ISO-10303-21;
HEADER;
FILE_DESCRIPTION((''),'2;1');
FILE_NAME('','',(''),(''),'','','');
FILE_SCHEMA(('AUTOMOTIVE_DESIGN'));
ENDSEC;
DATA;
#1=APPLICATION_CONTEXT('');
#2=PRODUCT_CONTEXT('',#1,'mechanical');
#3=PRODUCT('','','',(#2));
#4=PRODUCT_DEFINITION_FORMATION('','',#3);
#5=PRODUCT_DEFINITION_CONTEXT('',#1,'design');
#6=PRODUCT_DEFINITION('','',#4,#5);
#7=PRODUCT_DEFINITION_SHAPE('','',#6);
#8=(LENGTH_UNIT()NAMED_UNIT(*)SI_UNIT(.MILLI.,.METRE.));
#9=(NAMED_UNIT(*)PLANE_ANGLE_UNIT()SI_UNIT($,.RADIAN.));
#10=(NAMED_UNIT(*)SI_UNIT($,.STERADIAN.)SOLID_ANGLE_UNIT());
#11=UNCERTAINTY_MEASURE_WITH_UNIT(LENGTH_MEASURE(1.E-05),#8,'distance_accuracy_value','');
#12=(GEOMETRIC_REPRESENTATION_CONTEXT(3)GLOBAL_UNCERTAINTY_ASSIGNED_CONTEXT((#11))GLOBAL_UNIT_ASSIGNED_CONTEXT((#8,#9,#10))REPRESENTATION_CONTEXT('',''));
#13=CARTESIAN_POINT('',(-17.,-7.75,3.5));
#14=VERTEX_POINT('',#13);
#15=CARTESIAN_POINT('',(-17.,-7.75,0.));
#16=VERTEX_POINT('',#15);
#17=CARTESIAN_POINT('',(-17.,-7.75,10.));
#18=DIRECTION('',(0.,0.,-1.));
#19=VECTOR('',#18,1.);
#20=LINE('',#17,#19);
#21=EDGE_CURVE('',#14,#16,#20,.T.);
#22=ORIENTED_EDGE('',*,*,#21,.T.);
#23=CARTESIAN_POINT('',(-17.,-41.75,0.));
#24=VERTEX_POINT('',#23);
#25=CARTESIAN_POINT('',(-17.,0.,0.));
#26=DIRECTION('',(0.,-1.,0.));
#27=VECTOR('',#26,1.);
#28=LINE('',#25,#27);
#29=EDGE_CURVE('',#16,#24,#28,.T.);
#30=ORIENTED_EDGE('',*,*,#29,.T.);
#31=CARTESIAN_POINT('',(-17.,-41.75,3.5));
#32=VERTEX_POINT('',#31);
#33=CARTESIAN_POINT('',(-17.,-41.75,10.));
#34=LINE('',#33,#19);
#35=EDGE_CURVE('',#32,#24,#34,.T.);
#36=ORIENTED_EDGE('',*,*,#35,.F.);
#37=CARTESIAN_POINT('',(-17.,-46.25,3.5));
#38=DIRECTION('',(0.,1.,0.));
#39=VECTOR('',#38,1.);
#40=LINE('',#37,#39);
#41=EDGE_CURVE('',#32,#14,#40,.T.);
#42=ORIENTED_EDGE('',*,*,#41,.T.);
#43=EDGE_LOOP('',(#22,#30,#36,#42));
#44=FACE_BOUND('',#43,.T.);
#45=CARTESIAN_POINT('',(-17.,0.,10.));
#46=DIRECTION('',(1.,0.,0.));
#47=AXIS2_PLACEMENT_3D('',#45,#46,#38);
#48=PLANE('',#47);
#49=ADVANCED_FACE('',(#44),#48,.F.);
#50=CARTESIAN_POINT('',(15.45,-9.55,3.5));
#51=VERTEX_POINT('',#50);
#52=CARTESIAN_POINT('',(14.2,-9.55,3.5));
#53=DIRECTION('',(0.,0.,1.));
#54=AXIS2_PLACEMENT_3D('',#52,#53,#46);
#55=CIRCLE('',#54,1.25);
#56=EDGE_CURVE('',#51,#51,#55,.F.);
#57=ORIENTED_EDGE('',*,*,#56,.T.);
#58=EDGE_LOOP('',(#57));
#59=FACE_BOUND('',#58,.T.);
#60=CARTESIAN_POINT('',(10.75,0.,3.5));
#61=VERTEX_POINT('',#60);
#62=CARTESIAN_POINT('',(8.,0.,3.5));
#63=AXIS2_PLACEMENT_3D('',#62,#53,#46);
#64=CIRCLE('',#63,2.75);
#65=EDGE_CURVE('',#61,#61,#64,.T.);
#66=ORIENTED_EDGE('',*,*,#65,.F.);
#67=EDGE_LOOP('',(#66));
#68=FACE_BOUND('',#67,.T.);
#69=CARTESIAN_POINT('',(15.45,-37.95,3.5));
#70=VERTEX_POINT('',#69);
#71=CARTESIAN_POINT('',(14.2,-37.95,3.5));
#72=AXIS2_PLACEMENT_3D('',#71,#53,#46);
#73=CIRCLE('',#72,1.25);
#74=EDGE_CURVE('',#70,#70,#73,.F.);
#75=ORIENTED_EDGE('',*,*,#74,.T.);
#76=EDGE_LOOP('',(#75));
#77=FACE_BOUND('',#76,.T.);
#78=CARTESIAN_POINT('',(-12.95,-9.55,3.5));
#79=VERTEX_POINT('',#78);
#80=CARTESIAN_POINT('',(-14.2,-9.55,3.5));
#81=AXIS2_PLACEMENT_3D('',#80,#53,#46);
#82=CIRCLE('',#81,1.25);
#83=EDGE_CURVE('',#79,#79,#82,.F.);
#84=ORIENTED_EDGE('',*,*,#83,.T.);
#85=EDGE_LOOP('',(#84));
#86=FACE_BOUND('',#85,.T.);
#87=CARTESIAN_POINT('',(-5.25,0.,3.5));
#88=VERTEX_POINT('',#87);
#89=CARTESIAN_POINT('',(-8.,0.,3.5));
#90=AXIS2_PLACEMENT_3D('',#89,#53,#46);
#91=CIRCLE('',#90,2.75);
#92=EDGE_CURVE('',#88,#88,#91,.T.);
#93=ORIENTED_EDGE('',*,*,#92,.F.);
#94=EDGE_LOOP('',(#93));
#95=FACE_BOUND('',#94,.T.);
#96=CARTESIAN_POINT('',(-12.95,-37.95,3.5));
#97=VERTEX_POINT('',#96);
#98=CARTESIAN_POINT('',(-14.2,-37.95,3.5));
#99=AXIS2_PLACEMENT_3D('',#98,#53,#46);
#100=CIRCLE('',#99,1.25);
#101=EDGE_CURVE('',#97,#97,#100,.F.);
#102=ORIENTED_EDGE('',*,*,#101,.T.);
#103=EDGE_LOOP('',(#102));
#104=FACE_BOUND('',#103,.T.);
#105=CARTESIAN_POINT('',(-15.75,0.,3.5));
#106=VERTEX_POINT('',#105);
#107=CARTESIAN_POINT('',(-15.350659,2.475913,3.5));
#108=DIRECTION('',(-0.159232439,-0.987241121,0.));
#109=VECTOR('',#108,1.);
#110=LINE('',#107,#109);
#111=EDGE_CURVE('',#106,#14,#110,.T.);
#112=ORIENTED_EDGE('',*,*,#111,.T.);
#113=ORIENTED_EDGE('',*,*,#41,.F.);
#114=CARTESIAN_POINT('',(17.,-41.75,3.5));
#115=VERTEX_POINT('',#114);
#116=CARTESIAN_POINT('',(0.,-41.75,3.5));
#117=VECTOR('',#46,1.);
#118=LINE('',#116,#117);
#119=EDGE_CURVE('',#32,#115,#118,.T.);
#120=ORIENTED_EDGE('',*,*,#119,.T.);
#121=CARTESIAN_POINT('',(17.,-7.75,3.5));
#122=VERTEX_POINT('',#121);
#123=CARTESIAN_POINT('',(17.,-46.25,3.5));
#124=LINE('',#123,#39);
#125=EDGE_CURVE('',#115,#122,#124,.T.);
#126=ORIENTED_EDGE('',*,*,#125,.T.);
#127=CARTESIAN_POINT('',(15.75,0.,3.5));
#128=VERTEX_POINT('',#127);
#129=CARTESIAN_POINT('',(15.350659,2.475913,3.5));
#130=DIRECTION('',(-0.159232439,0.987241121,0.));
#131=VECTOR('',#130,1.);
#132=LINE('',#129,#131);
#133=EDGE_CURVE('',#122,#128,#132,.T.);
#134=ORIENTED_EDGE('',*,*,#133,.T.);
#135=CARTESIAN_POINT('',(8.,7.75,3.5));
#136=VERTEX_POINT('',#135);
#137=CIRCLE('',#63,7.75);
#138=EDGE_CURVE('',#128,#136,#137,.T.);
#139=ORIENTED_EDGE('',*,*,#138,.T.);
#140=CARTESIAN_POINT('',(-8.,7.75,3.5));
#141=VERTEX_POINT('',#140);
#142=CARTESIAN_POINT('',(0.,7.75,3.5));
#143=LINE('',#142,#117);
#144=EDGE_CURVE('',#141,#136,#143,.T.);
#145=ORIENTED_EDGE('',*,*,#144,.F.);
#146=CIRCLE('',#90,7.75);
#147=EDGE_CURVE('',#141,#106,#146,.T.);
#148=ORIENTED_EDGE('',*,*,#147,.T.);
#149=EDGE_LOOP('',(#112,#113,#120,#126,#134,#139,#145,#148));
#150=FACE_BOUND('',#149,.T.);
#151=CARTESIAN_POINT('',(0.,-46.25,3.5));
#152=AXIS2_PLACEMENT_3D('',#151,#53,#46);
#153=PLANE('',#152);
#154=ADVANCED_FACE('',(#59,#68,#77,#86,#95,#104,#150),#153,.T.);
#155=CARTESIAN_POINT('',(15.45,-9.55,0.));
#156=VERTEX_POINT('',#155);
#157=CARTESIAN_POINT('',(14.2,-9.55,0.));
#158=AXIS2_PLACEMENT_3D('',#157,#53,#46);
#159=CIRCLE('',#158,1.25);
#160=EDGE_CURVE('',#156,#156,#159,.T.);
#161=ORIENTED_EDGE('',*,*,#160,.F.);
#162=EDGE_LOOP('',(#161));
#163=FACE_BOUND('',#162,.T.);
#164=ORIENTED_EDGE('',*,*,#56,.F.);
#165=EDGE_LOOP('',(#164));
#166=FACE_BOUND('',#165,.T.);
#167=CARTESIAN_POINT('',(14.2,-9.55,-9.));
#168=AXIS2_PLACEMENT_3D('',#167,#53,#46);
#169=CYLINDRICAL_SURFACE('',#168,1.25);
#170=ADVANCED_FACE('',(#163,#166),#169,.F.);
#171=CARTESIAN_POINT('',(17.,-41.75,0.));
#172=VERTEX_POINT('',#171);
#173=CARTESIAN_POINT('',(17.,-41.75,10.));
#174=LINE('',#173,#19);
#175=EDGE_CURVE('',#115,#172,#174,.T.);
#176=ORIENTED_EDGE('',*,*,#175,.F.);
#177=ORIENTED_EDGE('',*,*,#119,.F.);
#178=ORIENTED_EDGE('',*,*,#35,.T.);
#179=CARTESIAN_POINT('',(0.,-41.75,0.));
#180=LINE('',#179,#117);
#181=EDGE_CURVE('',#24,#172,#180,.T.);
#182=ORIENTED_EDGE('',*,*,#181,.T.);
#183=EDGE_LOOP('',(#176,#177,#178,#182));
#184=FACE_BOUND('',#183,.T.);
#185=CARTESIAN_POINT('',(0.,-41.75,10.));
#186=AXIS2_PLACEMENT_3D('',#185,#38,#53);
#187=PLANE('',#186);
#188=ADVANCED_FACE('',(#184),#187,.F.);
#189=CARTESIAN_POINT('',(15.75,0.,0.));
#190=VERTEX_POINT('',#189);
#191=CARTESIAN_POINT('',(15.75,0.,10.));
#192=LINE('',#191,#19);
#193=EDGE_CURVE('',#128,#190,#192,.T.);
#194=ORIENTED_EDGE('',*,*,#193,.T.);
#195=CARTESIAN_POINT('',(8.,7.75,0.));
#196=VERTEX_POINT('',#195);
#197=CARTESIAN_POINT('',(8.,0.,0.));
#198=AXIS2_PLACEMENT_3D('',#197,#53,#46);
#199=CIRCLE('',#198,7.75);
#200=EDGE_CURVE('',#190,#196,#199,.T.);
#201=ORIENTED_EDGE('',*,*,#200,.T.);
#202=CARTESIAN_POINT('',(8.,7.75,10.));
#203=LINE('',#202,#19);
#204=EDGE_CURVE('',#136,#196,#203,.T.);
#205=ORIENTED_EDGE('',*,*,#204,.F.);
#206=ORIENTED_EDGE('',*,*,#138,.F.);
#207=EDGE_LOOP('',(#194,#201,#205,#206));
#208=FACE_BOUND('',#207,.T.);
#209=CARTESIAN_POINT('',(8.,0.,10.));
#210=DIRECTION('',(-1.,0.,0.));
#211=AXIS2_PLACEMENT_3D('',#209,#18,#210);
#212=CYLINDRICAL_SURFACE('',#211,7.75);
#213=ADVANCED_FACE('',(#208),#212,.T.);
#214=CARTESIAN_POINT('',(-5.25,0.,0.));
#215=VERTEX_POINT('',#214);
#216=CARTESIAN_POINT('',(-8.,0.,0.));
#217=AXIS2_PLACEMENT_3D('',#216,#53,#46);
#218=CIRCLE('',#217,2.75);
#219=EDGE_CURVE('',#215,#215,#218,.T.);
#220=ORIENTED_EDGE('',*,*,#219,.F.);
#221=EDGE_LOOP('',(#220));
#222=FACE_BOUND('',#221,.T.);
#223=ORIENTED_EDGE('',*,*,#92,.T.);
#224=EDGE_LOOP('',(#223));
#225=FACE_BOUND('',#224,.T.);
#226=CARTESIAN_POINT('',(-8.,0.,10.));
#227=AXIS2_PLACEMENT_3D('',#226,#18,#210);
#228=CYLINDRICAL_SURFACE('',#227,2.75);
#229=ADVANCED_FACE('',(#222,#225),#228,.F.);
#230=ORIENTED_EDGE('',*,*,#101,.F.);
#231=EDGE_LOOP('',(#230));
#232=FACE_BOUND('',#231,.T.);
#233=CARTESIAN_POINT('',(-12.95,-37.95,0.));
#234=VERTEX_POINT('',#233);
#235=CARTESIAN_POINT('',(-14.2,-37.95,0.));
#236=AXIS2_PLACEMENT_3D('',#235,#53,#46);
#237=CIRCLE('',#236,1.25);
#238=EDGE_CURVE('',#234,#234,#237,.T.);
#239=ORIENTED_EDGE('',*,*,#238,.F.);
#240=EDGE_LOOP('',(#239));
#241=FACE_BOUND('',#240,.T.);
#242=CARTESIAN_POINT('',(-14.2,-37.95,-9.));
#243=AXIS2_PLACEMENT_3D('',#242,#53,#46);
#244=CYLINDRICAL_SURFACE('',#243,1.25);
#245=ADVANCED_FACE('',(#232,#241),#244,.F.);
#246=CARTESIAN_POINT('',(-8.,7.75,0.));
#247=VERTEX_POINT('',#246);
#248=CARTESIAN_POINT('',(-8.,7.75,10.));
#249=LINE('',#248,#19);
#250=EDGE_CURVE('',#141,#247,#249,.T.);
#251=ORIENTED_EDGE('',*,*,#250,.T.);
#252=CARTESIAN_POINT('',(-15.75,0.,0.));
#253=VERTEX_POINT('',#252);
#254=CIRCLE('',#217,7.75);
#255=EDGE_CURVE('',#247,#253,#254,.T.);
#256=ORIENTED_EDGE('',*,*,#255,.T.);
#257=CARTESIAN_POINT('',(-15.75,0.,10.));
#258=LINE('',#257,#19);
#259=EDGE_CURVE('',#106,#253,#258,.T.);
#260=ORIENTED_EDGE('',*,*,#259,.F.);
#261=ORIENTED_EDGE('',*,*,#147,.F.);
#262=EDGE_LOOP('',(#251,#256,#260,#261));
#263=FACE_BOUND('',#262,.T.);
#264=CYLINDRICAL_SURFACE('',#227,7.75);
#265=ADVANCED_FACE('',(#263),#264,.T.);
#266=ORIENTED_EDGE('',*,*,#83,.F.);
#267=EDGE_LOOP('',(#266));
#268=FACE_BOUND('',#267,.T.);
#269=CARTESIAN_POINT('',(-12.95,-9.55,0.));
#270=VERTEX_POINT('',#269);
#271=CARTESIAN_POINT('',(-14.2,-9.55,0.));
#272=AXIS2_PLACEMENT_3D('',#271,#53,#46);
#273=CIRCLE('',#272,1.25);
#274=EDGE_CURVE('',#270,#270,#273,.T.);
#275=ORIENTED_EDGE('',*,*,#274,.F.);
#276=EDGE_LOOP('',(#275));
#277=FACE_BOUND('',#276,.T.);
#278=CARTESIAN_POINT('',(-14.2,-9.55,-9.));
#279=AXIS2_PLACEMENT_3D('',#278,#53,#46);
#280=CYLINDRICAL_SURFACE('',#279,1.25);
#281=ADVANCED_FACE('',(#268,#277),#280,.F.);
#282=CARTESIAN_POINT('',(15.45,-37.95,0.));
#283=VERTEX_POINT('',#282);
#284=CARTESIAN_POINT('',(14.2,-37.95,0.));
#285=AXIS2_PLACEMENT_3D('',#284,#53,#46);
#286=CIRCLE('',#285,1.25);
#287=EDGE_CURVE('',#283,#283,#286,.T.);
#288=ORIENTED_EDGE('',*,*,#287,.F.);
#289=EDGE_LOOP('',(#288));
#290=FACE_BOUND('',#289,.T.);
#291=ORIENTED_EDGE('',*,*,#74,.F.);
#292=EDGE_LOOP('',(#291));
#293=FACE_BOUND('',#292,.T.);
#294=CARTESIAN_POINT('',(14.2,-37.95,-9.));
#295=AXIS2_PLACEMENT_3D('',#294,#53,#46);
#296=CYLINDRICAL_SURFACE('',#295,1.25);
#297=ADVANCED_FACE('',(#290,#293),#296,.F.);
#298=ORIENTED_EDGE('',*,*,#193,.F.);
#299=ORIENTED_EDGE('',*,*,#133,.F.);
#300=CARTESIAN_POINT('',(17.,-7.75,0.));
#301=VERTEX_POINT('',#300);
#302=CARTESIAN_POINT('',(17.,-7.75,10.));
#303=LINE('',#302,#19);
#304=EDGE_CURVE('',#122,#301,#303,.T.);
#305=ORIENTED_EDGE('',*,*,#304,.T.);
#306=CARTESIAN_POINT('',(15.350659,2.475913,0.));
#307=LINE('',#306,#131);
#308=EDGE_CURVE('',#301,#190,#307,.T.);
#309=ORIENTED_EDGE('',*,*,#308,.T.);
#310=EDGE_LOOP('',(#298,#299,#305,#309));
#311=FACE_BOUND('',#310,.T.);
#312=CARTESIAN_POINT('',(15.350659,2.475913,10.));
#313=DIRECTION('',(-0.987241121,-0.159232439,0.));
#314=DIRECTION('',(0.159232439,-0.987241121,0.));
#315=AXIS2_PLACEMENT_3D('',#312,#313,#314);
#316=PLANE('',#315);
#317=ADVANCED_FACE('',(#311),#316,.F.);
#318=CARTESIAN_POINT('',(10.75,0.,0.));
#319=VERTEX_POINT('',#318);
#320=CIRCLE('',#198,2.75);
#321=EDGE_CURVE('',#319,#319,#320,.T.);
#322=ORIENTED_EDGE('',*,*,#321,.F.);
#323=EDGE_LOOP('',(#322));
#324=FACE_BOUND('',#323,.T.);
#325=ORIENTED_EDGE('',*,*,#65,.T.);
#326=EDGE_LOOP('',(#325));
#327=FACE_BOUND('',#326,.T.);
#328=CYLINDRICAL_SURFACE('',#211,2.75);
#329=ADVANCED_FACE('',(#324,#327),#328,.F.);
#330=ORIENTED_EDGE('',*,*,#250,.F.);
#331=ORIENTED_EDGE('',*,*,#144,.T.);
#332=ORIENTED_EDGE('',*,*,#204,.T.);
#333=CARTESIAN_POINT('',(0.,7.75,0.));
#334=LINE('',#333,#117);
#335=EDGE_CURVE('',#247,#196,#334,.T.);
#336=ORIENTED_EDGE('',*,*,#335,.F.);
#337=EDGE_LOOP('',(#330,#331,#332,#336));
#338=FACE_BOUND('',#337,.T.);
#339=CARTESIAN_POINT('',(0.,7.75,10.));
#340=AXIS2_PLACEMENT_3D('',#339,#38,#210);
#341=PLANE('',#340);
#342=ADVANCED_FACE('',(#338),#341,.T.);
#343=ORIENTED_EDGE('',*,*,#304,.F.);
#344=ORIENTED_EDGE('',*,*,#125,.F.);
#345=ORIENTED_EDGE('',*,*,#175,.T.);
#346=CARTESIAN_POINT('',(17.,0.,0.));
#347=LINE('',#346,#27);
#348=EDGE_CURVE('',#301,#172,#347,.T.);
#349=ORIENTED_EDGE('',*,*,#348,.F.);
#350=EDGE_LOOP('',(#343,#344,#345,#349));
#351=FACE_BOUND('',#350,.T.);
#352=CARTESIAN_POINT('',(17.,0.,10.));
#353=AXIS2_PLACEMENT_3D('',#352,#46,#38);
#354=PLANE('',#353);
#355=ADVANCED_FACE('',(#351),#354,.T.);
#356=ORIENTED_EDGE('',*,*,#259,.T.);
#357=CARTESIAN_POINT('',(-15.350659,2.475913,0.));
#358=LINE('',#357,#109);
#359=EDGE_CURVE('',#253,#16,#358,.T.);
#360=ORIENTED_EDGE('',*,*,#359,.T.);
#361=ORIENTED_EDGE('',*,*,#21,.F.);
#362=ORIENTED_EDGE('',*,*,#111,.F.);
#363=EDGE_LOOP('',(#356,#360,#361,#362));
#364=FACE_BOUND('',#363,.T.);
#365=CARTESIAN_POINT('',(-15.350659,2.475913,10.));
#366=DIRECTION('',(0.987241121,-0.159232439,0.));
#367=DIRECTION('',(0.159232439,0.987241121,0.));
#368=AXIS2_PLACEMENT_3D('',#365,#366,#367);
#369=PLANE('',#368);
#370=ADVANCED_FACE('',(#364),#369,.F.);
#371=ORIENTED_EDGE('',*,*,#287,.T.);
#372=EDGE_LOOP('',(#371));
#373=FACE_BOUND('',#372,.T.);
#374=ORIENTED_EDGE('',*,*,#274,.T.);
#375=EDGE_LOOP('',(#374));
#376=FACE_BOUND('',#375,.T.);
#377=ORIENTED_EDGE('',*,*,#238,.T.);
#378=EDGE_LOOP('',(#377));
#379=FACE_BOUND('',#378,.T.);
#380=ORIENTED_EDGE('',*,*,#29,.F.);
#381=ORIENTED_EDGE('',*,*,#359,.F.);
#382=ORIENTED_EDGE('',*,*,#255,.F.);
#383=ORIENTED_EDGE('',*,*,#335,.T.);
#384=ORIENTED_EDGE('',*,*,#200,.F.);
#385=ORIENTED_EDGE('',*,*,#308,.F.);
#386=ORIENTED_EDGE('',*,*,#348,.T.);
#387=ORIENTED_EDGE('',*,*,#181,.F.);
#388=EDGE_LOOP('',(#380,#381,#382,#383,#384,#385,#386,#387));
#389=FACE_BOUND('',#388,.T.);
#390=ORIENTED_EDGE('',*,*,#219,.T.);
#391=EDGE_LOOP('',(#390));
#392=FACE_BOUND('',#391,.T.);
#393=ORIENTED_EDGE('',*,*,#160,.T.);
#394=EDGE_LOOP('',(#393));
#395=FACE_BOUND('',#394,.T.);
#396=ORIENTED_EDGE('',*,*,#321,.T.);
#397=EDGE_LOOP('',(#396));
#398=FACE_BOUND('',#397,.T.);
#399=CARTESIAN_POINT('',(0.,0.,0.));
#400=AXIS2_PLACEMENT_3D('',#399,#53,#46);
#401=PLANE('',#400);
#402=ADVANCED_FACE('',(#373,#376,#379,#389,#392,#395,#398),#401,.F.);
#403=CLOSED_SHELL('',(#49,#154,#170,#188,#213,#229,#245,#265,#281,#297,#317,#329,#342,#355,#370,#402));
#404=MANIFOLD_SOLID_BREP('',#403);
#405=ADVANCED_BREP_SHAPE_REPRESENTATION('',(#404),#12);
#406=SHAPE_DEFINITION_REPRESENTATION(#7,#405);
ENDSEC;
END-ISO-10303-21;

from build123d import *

# Parameters (mm, degrees)
SKETCH1_R           = 2.75
BOSS_EXTRUDE1_DEPTH = 10
BOSS_EXTRUDE4_DEPTH = 10
SKETCH7_W           = 25
SKETCH7_H           = 2
BOSS_EXTRUDE6_DEPTH = 2
SKETCH8_R           = 1.25
CUT_EXTRUDE3_DEPTH  = 19
SKETCH9_W           = 25
SKETCH9_H           = 29.5
BOSS_EXTRUDE7_DEPTH = 10
SKETCH10_W          = 16
SKETCH10_H          = 6.5
CUT_EXTRUDE4_DEPTH  = 54


with BuildPart() as part:
    # Sketch1 → Boss-Extrude1 (new body)
    with BuildSketch(Plane.XY):
        with BuildLine():
            Line((8, 7.75), (-8, 7.75))
            ThreePointArc((-8, 7.75), (-15.75, 0), (-8, -7.75))
            Line((-8, -7.75), (8, -7.75))
            ThreePointArc((8, -7.75), (15.75, 0), (8, 7.75))
        make_face()
        with Locations((-8, 0)):
            Circle(SKETCH1_R, mode=Mode.SUBTRACT)
        with Locations((8, 0)):
            Circle(SKETCH1_R, mode=Mode.SUBTRACT)
    extrude(amount=BOSS_EXTRUDE1_DEPTH)

    # Sketch5 → Boss-Extrude4 (add)
    with BuildSketch(Plane.XY):
        Polygon((-12.5, -7.75), (-17, -7.75), (-17, -41.75), (17, -41.75), (17, -7.75), (12.5, -7.75), (12.5, -12.25), (12.5, -37.25), (-12.5, -37.25), (-12.5, -12.25), align=None)
        with BuildLine():
            ThreePointArc((-8, -7.75), (-13.480077554, -5.480077554), (-15.75, 0))
            Line((-15.75, 0), (-17, -7.75))
            Line((-17, -7.75), (-12.5, -7.75))
            Line((-12.5, -7.75), (-8, -7.75))
        make_face()
        with BuildLine():
            ThreePointArc((15.75, 0), (13.480077554, -5.480077554), (8, -7.75))
            Line((8, -7.75), (12.5, -7.75))
            Line((12.5, -7.75), (17, -7.75))
            Line((17, -7.75), (15.75, 0))
        make_face()
    extrude(amount=BOSS_EXTRUDE4_DEPTH)

    # Sketch7 → Boss-Extrude6 (add)
    with BuildSketch(Plane.XY.offset(10)):
        with Locations((0, -6.75)):
            Rectangle(SKETCH7_W, SKETCH7_H)
    extrude(amount=BOSS_EXTRUDE6_DEPTH)

    # Sketch8 → Cut-Extrude3 (cut)
    with BuildSketch(Plane.XY.offset(10)):
        with Locations((-14.2, -9.55)):
            Circle(SKETCH8_R)
        with Locations((14.2, -9.55)):
            Circle(SKETCH8_R)
        with Locations((14.2, -37.95)):
            Circle(SKETCH8_R)
        with Locations((-14.2, -37.95)):
            Circle(SKETCH8_R)
    extrude(amount=-CUT_EXTRUDE3_DEPTH, mode=Mode.SUBTRACT)

    # Sketch9 → Boss-Extrude7 (add)
    with BuildSketch(Plane(origin=(0, 0, 0), x_dir=(-1, 0, 0), z_dir=(0, 0, -1))):
        with Locations((0, -22.5)):
            Rectangle(SKETCH9_W, SKETCH9_H)
    extrude(amount=-BOSS_EXTRUDE7_DEPTH)

    # Sketch10 → Cut-Extrude4 (cut)
    with BuildSketch(Plane(origin=(0, 7.75, 0), x_dir=(1, 0, 0), z_dir=(0, 1, 0))):
        Polygon((-8, -3.5), (-17, -3.5), (-17, -13.303899359), (17, -13.303899359), (17, -3.5), (8, -3.5), (8, -10), (-8, -10), align=None)
        with Locations((0, -6.75)):
            Rectangle(SKETCH10_W, SKETCH10_H)
    extrude(amount=-CUT_EXTRUDE4_DEPTH, mode=Mode.SUBTRACT)


solid = part.part
